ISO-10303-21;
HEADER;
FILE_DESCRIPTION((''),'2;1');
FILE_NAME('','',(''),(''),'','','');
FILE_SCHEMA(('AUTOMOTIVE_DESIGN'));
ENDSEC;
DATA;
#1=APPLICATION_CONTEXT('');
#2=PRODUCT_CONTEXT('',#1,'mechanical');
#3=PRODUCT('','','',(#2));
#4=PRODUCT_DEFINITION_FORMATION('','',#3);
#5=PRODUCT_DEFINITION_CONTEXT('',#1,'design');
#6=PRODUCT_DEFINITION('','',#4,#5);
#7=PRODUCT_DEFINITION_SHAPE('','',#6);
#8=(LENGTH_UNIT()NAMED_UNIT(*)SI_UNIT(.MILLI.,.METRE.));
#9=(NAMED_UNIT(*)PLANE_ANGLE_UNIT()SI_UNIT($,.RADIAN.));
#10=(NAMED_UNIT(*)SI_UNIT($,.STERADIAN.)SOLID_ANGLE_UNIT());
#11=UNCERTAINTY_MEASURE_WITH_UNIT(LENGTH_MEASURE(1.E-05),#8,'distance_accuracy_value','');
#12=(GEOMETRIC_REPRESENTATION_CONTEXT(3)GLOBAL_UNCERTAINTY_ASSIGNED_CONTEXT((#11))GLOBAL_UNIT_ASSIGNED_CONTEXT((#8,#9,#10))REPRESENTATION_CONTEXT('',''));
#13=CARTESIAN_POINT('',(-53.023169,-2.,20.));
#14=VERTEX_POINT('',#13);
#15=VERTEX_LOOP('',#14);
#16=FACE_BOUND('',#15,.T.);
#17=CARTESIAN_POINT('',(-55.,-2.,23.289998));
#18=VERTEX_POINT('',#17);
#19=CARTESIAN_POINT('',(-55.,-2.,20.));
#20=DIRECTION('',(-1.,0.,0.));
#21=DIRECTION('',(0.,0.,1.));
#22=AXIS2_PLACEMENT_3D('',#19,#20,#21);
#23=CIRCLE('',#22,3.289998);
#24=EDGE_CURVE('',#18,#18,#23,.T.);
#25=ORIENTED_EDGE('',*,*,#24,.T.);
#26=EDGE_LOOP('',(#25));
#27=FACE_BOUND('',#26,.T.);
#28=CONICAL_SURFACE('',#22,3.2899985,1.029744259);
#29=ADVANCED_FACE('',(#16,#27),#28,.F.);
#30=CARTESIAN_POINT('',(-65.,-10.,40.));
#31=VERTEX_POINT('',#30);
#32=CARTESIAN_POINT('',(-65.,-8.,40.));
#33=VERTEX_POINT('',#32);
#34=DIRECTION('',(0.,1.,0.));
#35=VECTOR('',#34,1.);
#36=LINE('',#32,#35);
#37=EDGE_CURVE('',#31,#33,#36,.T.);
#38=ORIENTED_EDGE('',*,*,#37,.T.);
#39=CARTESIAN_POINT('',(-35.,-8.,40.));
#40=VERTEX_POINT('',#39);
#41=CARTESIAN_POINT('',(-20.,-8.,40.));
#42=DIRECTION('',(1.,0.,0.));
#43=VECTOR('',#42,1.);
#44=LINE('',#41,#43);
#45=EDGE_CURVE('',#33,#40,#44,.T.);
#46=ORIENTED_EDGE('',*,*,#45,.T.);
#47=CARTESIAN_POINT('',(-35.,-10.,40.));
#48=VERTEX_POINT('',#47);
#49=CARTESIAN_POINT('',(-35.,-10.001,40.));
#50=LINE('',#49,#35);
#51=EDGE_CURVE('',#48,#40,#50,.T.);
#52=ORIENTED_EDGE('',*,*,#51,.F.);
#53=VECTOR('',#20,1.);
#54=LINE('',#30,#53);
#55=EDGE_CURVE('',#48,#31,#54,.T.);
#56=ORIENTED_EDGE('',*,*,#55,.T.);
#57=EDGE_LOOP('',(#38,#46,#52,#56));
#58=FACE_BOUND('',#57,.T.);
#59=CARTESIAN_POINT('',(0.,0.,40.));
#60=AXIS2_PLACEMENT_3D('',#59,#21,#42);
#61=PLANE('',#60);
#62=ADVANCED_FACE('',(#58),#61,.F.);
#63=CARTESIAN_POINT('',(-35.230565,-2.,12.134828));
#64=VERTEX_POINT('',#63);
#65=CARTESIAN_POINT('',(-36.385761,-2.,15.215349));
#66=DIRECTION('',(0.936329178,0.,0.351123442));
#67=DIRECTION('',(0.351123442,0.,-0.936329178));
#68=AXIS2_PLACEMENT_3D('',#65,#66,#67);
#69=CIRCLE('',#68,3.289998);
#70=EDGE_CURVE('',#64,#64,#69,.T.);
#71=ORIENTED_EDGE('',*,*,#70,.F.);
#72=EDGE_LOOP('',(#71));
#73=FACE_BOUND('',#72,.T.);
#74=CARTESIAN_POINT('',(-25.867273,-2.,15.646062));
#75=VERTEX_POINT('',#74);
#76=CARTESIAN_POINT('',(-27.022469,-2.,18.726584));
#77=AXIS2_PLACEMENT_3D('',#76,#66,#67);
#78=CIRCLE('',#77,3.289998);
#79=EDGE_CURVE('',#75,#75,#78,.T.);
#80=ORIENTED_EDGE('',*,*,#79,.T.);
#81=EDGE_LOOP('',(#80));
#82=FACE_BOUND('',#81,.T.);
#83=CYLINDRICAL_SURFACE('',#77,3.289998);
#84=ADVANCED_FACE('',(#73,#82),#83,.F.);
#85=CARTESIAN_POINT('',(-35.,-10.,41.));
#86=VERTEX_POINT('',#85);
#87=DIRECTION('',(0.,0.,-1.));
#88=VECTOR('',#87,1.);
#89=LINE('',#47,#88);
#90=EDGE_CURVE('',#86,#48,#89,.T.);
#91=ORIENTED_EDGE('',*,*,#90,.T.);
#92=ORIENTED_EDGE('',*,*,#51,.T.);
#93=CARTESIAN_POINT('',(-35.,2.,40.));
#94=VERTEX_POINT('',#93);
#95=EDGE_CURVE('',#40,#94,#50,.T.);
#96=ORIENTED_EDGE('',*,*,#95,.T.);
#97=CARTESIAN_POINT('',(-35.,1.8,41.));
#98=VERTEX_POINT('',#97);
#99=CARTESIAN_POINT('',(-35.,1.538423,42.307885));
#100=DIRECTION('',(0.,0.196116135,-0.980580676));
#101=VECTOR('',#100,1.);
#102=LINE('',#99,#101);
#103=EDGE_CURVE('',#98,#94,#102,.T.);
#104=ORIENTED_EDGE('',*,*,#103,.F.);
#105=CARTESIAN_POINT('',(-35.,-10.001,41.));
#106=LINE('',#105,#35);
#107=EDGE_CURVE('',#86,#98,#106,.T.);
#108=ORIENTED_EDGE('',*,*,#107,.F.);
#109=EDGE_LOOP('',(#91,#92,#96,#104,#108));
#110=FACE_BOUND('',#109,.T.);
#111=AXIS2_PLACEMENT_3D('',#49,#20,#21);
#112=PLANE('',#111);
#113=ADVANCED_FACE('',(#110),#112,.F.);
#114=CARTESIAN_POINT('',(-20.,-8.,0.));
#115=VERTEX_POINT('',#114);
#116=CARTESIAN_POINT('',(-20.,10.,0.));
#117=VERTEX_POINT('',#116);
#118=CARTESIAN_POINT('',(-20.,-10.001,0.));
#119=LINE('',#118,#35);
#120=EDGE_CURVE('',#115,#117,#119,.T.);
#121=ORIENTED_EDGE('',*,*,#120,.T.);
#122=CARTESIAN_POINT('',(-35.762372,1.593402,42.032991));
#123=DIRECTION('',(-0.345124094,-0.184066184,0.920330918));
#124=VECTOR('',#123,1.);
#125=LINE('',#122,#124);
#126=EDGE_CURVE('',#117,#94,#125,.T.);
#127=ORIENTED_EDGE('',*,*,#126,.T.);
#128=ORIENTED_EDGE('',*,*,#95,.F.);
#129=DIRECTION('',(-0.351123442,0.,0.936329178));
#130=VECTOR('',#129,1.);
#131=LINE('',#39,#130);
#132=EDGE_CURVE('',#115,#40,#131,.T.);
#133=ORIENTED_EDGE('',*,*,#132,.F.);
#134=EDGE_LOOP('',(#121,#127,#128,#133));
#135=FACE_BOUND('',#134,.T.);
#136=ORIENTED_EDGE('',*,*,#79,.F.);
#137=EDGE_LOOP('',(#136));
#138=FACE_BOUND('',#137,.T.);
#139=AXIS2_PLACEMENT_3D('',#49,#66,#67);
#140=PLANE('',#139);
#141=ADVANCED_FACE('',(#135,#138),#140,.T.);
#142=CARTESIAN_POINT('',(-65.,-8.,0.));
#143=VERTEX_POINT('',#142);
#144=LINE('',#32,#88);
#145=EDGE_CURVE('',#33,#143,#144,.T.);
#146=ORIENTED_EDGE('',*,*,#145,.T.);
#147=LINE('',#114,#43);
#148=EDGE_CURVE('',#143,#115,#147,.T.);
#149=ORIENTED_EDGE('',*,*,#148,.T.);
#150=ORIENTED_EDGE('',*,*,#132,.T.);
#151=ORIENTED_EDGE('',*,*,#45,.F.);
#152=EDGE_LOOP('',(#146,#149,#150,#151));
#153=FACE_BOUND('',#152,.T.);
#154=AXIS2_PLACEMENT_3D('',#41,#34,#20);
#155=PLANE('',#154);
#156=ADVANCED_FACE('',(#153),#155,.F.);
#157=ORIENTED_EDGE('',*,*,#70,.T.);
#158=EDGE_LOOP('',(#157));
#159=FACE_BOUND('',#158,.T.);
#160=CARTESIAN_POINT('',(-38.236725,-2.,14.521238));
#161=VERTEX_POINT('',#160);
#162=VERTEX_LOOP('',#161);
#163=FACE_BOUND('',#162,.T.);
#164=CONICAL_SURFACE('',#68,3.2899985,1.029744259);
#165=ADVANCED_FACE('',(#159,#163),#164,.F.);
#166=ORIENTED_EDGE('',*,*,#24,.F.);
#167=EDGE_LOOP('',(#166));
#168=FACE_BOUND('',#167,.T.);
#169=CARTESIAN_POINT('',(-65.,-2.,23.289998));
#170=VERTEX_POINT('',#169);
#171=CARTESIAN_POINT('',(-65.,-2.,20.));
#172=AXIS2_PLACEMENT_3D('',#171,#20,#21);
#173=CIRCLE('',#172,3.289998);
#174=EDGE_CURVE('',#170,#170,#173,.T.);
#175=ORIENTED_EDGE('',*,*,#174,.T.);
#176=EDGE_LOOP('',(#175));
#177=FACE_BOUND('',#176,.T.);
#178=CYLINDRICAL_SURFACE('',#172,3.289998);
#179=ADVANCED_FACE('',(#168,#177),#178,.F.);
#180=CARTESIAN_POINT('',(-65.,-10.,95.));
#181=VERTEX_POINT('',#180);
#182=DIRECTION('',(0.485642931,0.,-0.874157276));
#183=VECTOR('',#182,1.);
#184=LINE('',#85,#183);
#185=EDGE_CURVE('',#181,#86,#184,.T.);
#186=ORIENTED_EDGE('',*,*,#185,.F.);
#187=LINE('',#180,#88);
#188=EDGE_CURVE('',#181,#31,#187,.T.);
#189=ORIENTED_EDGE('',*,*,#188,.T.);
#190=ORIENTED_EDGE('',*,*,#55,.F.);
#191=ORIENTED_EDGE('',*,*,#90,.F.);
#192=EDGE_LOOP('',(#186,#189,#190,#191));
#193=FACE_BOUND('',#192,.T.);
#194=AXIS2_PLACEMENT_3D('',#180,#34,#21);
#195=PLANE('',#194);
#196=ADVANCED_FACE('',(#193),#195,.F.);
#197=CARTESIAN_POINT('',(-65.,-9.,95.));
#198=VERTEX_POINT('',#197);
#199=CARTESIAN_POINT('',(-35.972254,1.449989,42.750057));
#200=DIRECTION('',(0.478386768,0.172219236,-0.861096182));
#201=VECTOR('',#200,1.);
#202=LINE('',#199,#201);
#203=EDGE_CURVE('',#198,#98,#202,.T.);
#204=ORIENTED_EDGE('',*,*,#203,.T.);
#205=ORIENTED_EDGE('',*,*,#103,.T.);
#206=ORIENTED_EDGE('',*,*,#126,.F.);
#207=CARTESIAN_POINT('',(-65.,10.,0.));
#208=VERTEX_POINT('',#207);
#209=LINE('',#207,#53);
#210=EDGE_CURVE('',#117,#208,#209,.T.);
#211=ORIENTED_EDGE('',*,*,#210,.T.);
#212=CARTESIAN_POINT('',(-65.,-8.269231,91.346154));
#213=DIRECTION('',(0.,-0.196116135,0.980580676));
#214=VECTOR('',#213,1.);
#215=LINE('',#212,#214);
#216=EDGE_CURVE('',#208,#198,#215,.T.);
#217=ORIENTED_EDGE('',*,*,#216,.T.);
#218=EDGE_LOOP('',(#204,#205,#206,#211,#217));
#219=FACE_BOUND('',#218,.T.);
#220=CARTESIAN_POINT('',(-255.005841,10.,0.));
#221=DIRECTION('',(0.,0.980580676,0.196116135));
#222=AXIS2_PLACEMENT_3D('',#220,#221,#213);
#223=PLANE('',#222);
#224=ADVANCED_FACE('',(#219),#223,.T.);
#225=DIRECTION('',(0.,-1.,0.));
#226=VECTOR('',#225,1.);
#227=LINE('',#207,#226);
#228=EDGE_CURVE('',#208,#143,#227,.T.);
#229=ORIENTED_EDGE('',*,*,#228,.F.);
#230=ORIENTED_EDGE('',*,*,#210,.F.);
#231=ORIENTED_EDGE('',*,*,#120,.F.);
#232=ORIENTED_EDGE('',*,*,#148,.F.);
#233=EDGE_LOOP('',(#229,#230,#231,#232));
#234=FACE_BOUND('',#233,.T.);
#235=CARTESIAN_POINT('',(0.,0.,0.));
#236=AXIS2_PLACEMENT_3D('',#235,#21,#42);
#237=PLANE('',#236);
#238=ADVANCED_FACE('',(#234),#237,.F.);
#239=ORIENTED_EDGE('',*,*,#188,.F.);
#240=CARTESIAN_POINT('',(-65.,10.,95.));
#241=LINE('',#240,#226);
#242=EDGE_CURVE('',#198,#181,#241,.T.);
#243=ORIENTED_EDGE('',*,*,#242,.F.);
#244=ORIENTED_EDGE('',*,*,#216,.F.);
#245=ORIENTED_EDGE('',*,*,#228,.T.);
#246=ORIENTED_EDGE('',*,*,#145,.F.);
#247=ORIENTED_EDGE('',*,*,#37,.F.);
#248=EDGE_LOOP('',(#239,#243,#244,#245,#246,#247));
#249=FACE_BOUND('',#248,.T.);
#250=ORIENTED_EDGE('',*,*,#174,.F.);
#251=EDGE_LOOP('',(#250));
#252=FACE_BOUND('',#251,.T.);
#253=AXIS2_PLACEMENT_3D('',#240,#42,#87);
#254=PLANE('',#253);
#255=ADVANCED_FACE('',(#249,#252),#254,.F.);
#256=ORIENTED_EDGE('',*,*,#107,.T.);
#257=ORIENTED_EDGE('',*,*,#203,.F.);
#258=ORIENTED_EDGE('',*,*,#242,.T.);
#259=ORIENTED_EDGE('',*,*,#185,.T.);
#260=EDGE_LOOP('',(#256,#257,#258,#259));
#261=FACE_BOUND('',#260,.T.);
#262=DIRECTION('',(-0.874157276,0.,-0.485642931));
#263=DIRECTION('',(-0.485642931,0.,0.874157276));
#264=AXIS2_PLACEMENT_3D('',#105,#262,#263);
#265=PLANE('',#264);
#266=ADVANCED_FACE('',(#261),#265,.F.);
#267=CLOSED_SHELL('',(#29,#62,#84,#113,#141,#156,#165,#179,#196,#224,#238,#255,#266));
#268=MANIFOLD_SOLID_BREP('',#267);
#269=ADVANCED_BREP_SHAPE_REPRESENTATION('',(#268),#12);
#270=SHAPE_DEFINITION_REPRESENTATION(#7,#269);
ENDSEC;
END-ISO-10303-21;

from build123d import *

# Parameters (mm, degrees)
ESBO_O1_W                                      = 130
ESBO_O1_H                                      = 20
RESSALTO_EXTRUS_O1_DEPTH                       = 95
CORTE_EXTRUS_O2_REACH                          = 22
CORTE_EXTRUS_O4_DEPTH                          = 1
CORTE_EXTRUS_O4_DEPTH_BACK                     = 46
BROCA_DE_ROSQUEAR_DE_CANO_PARA_TARRAXA_D_D     = 6.579997
BROCA_DE_ROSQUEAR_DE_CANO_PARA_TARRAXA_D_DEPTH = 10
BROCA_DE_ROSQUEAR_DE_CANO_PARA_TARRAXA_D_TIP   = 1.976830535
BROCA_DE_ROSQUEAR_DE_CANO_PARA_TARRA_2_D       = 6.579997
BROCA_DE_ROSQUEAR_DE_CANO_PARA_TARRA_2_DEPTH   = 10
BROCA_DE_ROSQUEAR_DE_CANO_PARA_TARRA_2_TIP     = 1.976830535
ESBO_O42_W                                     = 45
ESBO_O42_H                                     = 2
CORTE_EXTRUS_O5_DEPTH                          = 40


with BuildPart() as part:
    # Esboço1 → Ressalto-extrusão1 (new body)
    with BuildSketch(Plane.XY):
        Rectangle(ESBO_O1_W, ESBO_O1_H)
    extrude(amount=RESSALTO_EXTRUS_O1_DEPTH)

    # Esboço2 → Corte-extrusão2 (cut, up to next)
    with BuildSketch(Plane(origin=(0, 10, 0), x_dir=(1, 0, 0), z_dir=(0, 1, 0)), mode=Mode.PRIVATE) as corte_extrus_o2_sk1:
        Polygon((65, 0), (-20, 0), (-35, -40), (-35, -41), (-65, -95), (65, -95), align=None)
    corte_extrus_o2_tool1 = extrude(corte_extrus_o2_sk1.sketch, amount=-CORTE_EXTRUS_O2_REACH, mode=Mode.PRIVATE) & part.part
    add(corte_extrus_o2_tool1.solids().sort_by_distance((11.493506, 10, 50.911089))[0], mode=Mode.SUBTRACT)

    # Esboço13 → Corte-extrusão4 (cut, two sides)
    with BuildSketch(Plane.ZY.offset(65)) as corte_extrus_o4_sk:
        Polygon((-200.200134404, 50.040026881), (0, 10), (95, -9), (295.200134404, -49.040026881), (375.280188165, 351.360241926), (-120.120080642, 450.440295688), align=None)
    extrude(amount=CORTE_EXTRUS_O4_DEPTH, mode=Mode.SUBTRACT)
    extrude(corte_extrus_o4_sk.sketch, amount=-CORTE_EXTRUS_O4_DEPTH_BACK, mode=Mode.SUBTRACT)

    # Broca de rosquear de cano para tarraxa d
    with Locations(Plane.ZY.offset(65)):
        with Locations((20, -2)):
            Hole(BROCA_DE_ROSQUEAR_DE_CANO_PARA_TARRAXA_D_D / 2, depth=BROCA_DE_ROSQUEAR_DE_CANO_PARA_TARRAXA_D_DEPTH)
            with Locations((0, 0, -(BROCA_DE_ROSQUEAR_DE_CANO_PARA_TARRAXA_D_DEPTH + BROCA_DE_ROSQUEAR_DE_CANO_PARA_TARRAXA_D_TIP / 2))):  # 118° drill point
                Cone(0, BROCA_DE_ROSQUEAR_DE_CANO_PARA_TARRAXA_D_D / 2, BROCA_DE_ROSQUEAR_DE_CANO_PARA_TARRAXA_D_TIP, mode=Mode.SUBTRACT)

    # Broca de rosquear de cano para tarra 2
    with Locations(Plane(origin=(-17.534246575, 0, -6.575342466), x_dir=(0.351123442, 0, -0.936329178), z_dir=(0.936329178, 0, 0.351123442))):
        with Locations((-27.022468832, -2)):
            Hole(BROCA_DE_ROSQUEAR_DE_CANO_PARA_TARRA_2_D / 2, depth=BROCA_DE_ROSQUEAR_DE_CANO_PARA_TARRA_2_DEPTH)
            with Locations((0, 0, -(BROCA_DE_ROSQUEAR_DE_CANO_PARA_TARRA_2_DEPTH + BROCA_DE_ROSQUEAR_DE_CANO_PARA_TARRA_2_TIP / 2))):  # 118° drill point
                Cone(0, BROCA_DE_ROSQUEAR_DE_CANO_PARA_TARRA_2_D / 2, BROCA_DE_ROSQUEAR_DE_CANO_PARA_TARRA_2_TIP, mode=Mode.SUBTRACT)

    # Esboço42 → Corte-extrusão5 (cut)
    with BuildSketch(Plane(origin=(0, 0, 0), x_dir=(-1, 0, 0), z_dir=(0, 0, -1))):
        with Locations((42.5, -9)):
            Rectangle(ESBO_O42_W, ESBO_O42_H)
    extrude(amount=-CORTE_EXTRUS_O5_DEPTH, mode=Mode.SUBTRACT)


solid = part.part
